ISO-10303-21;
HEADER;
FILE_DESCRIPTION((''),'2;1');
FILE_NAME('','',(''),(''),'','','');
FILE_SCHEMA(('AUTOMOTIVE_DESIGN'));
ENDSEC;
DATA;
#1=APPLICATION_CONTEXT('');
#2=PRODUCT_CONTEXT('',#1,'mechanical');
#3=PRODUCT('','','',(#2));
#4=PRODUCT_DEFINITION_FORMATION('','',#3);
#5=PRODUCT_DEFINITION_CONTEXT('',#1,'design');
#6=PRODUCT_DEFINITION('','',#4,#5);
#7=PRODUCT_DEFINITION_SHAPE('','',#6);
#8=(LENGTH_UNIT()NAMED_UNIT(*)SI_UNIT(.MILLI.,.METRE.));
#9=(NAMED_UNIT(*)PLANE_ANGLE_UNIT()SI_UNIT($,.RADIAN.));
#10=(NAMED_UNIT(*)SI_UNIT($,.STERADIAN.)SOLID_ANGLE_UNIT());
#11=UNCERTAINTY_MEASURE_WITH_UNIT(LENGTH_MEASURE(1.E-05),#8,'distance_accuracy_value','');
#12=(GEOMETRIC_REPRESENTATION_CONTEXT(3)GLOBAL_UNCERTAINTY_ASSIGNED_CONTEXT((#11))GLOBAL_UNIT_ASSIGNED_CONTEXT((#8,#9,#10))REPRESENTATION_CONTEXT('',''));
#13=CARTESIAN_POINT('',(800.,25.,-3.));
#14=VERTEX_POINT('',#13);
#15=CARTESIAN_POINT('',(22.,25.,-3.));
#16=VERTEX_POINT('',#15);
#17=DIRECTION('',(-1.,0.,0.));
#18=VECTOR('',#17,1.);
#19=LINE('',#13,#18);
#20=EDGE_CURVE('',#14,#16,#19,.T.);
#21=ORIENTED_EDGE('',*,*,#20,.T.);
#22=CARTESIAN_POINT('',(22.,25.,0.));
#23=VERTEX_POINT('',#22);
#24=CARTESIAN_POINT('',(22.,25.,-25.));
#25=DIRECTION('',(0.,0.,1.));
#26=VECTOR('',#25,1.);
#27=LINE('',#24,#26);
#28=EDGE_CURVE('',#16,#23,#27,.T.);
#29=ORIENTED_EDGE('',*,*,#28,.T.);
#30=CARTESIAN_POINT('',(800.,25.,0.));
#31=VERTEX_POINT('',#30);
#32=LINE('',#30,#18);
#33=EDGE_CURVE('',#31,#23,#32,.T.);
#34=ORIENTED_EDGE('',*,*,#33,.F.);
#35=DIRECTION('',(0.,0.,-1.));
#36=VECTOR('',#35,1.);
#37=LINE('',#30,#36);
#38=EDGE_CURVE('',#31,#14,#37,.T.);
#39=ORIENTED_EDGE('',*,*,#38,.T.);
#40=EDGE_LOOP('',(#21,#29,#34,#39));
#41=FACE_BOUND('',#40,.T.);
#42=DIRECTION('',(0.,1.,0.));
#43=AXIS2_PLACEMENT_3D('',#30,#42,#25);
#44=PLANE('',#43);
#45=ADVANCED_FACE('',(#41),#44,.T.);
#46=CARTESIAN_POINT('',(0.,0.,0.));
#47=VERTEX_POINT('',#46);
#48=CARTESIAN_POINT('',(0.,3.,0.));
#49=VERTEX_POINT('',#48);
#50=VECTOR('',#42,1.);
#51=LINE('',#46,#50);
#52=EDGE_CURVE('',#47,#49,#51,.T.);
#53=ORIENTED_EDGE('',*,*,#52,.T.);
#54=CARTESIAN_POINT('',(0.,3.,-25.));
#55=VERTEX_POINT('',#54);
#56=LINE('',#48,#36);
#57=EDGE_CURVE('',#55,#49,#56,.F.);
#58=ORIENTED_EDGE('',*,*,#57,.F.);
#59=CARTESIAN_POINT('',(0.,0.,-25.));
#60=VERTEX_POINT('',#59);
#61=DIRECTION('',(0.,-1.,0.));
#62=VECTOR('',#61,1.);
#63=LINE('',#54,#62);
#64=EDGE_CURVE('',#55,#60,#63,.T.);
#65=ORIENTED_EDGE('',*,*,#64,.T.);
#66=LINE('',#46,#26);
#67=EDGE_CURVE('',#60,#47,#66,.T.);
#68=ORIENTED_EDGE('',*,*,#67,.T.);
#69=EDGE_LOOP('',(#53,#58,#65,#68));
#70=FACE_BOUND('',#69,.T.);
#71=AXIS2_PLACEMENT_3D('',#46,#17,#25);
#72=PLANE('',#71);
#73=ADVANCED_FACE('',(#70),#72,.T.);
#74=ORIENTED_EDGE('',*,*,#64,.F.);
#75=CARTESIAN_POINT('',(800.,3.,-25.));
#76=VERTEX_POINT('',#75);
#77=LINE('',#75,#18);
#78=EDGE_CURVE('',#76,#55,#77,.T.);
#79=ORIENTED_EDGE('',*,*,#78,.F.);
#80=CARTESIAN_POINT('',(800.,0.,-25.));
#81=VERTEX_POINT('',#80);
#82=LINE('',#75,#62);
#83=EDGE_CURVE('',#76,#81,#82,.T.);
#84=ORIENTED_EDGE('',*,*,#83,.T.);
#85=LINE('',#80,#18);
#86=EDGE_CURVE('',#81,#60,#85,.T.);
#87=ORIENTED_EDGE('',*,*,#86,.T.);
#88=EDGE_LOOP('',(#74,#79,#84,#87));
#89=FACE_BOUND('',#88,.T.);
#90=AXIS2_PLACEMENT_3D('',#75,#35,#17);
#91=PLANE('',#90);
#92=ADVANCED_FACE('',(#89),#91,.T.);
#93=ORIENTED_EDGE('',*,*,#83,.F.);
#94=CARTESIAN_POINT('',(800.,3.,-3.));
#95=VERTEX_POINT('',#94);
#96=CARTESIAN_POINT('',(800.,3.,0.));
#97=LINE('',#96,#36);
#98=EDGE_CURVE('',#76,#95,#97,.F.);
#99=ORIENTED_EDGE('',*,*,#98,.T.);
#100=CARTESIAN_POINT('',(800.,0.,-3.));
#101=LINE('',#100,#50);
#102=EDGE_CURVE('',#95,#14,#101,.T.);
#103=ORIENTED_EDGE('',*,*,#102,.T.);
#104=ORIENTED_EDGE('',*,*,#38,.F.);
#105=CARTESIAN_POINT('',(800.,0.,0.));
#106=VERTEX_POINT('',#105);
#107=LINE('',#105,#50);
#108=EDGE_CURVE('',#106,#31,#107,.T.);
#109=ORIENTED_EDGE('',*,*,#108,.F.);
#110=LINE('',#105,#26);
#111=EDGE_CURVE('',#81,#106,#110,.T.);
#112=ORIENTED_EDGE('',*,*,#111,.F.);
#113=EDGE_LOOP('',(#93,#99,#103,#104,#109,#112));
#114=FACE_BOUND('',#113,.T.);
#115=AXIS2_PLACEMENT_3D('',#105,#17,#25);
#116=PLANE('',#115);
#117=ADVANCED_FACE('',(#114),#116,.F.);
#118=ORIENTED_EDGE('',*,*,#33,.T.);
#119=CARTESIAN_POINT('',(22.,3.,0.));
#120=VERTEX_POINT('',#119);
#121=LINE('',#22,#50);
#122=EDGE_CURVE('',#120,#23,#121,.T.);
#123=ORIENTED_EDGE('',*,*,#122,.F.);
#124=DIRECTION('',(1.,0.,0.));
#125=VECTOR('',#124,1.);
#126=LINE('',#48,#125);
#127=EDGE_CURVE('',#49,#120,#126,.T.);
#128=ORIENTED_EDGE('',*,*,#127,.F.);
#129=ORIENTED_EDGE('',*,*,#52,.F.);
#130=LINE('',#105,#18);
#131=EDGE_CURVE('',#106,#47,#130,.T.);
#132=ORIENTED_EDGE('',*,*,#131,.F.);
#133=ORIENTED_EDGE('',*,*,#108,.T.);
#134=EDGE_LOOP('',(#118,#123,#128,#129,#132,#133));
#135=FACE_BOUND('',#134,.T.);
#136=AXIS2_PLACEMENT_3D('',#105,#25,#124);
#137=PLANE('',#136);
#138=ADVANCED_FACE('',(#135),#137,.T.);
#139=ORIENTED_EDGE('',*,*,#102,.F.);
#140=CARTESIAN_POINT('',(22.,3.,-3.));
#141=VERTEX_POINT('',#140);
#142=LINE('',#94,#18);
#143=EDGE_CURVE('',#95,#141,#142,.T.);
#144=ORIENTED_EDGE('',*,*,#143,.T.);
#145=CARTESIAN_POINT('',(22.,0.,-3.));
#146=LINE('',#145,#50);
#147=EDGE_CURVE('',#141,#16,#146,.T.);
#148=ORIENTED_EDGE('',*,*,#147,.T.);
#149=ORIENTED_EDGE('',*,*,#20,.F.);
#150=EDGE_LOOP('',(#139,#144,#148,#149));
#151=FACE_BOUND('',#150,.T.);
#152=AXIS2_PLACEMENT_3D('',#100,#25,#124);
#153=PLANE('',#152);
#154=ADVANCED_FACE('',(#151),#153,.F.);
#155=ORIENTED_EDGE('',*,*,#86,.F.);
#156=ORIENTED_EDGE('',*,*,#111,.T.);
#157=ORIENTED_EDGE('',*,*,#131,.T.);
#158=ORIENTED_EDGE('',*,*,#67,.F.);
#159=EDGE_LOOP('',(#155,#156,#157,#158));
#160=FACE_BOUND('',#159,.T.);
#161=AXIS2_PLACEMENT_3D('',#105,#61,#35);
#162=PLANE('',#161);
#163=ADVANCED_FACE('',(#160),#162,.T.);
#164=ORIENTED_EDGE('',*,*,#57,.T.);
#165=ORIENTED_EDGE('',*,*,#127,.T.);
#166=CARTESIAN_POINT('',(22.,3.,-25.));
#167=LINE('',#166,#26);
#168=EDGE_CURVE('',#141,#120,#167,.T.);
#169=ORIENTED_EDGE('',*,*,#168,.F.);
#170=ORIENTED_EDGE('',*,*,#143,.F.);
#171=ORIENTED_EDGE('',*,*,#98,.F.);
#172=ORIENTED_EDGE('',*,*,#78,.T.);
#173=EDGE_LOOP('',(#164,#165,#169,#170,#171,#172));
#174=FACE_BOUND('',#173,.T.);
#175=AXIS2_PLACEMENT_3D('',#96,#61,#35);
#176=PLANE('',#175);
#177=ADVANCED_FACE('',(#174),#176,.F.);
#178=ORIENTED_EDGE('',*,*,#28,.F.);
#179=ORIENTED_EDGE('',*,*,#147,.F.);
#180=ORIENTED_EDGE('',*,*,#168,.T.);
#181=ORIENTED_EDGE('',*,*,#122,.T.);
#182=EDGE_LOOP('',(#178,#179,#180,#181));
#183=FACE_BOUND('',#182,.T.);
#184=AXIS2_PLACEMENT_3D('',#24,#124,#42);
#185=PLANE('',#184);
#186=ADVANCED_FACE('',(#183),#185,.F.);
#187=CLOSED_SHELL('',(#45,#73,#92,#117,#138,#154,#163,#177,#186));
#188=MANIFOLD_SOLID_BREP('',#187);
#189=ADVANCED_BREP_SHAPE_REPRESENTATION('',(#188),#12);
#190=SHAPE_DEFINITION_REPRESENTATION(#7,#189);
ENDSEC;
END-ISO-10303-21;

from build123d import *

# Parameters (mm, degrees)
EXTRUDE_1_DEPTH     = 800
SKETCH_2_W          = 22
SKETCH_2_H          = 22
CUT_EXTRUDE_1_DEPTH = 26


with BuildPart() as part:
    # Эскиз1 → Вытянуть-Тонкостенный1 (new body)
    with BuildSketch(Plane(origin=(0, 0, 0), x_dir=(0, 0, -1), z_dir=(1, 0, 0))):
        Polygon((0, 25), (0, 0), (25, 0), (25, 3), (3, 3), (3, 25), align=None)
    extrude(amount=EXTRUDE_1_DEPTH)

    # Эскиз2 → Вырез-Вытянуть1 (cut, through all)
    with BuildSketch(Plane.XY):
        with Locations((11, 14)):
            Rectangle(SKETCH_2_W, SKETCH_2_H)
    extrude(amount=-CUT_EXTRUDE_1_DEPTH, mode=Mode.SUBTRACT)


solid = part.part
